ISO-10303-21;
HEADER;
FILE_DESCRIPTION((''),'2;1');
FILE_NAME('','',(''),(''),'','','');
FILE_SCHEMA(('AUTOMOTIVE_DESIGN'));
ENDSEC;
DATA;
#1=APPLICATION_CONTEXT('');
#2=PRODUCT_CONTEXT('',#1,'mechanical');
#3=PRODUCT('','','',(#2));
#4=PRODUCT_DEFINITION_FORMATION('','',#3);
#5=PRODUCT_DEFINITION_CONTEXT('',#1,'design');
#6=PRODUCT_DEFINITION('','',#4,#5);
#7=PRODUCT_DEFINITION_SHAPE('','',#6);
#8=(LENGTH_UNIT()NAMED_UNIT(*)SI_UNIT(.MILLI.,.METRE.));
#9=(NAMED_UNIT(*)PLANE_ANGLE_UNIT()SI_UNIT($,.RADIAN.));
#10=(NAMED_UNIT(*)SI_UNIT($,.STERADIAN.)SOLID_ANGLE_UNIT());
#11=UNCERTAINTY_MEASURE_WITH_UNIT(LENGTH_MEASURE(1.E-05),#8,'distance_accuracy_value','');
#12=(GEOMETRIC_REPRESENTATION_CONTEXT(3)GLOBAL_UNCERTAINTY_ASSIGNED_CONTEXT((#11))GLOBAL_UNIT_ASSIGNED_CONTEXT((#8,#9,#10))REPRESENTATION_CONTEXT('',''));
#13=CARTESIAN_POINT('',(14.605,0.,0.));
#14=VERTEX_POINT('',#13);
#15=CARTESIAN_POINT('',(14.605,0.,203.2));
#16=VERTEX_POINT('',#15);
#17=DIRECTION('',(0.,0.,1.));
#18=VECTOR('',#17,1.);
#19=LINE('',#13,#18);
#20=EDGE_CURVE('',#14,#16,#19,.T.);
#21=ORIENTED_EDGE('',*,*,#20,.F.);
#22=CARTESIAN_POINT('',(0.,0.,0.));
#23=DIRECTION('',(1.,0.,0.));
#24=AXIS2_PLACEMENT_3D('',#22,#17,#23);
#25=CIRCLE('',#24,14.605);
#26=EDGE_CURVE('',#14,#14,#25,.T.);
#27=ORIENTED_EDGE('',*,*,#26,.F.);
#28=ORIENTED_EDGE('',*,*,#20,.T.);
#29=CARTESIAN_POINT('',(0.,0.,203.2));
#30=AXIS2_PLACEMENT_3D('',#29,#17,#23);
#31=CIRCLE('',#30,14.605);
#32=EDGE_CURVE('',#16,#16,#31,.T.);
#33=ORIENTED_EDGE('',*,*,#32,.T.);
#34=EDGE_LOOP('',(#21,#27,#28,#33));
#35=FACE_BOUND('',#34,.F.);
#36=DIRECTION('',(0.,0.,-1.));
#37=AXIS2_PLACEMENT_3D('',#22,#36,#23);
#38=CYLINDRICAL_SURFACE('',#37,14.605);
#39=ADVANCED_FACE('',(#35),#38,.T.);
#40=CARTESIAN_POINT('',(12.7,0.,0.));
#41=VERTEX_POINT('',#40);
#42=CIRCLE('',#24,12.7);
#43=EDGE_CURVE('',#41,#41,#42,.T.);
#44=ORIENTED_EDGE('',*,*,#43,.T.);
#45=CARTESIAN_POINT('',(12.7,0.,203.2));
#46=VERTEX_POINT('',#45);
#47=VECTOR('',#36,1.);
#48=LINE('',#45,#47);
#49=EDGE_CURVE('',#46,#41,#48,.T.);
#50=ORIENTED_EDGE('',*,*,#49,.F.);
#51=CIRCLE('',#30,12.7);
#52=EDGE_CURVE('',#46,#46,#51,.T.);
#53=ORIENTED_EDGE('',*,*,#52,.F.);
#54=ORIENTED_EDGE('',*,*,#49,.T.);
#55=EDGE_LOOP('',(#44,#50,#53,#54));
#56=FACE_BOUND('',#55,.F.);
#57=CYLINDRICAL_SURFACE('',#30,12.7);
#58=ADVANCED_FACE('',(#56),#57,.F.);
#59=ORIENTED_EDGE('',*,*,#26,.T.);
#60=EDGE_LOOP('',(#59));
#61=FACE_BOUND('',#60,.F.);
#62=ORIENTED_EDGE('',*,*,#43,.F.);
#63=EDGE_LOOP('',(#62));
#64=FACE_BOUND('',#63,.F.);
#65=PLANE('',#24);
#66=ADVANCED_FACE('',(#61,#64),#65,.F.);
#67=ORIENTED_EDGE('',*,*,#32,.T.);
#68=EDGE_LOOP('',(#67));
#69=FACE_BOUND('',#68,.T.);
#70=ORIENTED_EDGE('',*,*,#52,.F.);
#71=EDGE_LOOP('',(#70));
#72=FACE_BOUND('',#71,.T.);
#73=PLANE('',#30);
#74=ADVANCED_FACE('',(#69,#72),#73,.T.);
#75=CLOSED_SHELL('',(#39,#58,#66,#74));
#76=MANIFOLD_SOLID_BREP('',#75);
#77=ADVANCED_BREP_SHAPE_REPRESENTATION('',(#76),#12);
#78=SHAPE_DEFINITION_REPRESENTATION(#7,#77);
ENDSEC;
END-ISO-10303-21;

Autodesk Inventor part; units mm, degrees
ref_plane "YZ Plane" through (0, 0, 0) normal (1, 0, 0) x (0, 1, 0)
ref_plane "XZ Plane" through (0, 0, 0) normal (0, 1, 0) x (-1, 0, 0)
ref_plane "XY Plane" through (0, 0, 0) normal (0, 0, 1) x (1, 0, 0)
sketch "Sketch1" plane through (0, 0, 0) normal (0, 0, 1) x (1, 0, 0)
  circle A0 centre (0, 0) radius 14.605
  dimension "d0" = 29.21
extrude "Extrusion1" add sketch "Sketch1" along normal blind 203.2
sketch "Sketch3" plane through (0, 0, 203.2) normal (0, 0, 1) x (1, 0, 0)
  circle A0 centre (0, 0) radius 14.605 projected
  circle A1 centre (0, 0) radius 12.7
  dimension "d10" = 25.4
extrude "Extrusion3" cut sketch "Sketch3" against normal blind 203.2 contours A1
properties part number "Sleeve" material "Rubber"
